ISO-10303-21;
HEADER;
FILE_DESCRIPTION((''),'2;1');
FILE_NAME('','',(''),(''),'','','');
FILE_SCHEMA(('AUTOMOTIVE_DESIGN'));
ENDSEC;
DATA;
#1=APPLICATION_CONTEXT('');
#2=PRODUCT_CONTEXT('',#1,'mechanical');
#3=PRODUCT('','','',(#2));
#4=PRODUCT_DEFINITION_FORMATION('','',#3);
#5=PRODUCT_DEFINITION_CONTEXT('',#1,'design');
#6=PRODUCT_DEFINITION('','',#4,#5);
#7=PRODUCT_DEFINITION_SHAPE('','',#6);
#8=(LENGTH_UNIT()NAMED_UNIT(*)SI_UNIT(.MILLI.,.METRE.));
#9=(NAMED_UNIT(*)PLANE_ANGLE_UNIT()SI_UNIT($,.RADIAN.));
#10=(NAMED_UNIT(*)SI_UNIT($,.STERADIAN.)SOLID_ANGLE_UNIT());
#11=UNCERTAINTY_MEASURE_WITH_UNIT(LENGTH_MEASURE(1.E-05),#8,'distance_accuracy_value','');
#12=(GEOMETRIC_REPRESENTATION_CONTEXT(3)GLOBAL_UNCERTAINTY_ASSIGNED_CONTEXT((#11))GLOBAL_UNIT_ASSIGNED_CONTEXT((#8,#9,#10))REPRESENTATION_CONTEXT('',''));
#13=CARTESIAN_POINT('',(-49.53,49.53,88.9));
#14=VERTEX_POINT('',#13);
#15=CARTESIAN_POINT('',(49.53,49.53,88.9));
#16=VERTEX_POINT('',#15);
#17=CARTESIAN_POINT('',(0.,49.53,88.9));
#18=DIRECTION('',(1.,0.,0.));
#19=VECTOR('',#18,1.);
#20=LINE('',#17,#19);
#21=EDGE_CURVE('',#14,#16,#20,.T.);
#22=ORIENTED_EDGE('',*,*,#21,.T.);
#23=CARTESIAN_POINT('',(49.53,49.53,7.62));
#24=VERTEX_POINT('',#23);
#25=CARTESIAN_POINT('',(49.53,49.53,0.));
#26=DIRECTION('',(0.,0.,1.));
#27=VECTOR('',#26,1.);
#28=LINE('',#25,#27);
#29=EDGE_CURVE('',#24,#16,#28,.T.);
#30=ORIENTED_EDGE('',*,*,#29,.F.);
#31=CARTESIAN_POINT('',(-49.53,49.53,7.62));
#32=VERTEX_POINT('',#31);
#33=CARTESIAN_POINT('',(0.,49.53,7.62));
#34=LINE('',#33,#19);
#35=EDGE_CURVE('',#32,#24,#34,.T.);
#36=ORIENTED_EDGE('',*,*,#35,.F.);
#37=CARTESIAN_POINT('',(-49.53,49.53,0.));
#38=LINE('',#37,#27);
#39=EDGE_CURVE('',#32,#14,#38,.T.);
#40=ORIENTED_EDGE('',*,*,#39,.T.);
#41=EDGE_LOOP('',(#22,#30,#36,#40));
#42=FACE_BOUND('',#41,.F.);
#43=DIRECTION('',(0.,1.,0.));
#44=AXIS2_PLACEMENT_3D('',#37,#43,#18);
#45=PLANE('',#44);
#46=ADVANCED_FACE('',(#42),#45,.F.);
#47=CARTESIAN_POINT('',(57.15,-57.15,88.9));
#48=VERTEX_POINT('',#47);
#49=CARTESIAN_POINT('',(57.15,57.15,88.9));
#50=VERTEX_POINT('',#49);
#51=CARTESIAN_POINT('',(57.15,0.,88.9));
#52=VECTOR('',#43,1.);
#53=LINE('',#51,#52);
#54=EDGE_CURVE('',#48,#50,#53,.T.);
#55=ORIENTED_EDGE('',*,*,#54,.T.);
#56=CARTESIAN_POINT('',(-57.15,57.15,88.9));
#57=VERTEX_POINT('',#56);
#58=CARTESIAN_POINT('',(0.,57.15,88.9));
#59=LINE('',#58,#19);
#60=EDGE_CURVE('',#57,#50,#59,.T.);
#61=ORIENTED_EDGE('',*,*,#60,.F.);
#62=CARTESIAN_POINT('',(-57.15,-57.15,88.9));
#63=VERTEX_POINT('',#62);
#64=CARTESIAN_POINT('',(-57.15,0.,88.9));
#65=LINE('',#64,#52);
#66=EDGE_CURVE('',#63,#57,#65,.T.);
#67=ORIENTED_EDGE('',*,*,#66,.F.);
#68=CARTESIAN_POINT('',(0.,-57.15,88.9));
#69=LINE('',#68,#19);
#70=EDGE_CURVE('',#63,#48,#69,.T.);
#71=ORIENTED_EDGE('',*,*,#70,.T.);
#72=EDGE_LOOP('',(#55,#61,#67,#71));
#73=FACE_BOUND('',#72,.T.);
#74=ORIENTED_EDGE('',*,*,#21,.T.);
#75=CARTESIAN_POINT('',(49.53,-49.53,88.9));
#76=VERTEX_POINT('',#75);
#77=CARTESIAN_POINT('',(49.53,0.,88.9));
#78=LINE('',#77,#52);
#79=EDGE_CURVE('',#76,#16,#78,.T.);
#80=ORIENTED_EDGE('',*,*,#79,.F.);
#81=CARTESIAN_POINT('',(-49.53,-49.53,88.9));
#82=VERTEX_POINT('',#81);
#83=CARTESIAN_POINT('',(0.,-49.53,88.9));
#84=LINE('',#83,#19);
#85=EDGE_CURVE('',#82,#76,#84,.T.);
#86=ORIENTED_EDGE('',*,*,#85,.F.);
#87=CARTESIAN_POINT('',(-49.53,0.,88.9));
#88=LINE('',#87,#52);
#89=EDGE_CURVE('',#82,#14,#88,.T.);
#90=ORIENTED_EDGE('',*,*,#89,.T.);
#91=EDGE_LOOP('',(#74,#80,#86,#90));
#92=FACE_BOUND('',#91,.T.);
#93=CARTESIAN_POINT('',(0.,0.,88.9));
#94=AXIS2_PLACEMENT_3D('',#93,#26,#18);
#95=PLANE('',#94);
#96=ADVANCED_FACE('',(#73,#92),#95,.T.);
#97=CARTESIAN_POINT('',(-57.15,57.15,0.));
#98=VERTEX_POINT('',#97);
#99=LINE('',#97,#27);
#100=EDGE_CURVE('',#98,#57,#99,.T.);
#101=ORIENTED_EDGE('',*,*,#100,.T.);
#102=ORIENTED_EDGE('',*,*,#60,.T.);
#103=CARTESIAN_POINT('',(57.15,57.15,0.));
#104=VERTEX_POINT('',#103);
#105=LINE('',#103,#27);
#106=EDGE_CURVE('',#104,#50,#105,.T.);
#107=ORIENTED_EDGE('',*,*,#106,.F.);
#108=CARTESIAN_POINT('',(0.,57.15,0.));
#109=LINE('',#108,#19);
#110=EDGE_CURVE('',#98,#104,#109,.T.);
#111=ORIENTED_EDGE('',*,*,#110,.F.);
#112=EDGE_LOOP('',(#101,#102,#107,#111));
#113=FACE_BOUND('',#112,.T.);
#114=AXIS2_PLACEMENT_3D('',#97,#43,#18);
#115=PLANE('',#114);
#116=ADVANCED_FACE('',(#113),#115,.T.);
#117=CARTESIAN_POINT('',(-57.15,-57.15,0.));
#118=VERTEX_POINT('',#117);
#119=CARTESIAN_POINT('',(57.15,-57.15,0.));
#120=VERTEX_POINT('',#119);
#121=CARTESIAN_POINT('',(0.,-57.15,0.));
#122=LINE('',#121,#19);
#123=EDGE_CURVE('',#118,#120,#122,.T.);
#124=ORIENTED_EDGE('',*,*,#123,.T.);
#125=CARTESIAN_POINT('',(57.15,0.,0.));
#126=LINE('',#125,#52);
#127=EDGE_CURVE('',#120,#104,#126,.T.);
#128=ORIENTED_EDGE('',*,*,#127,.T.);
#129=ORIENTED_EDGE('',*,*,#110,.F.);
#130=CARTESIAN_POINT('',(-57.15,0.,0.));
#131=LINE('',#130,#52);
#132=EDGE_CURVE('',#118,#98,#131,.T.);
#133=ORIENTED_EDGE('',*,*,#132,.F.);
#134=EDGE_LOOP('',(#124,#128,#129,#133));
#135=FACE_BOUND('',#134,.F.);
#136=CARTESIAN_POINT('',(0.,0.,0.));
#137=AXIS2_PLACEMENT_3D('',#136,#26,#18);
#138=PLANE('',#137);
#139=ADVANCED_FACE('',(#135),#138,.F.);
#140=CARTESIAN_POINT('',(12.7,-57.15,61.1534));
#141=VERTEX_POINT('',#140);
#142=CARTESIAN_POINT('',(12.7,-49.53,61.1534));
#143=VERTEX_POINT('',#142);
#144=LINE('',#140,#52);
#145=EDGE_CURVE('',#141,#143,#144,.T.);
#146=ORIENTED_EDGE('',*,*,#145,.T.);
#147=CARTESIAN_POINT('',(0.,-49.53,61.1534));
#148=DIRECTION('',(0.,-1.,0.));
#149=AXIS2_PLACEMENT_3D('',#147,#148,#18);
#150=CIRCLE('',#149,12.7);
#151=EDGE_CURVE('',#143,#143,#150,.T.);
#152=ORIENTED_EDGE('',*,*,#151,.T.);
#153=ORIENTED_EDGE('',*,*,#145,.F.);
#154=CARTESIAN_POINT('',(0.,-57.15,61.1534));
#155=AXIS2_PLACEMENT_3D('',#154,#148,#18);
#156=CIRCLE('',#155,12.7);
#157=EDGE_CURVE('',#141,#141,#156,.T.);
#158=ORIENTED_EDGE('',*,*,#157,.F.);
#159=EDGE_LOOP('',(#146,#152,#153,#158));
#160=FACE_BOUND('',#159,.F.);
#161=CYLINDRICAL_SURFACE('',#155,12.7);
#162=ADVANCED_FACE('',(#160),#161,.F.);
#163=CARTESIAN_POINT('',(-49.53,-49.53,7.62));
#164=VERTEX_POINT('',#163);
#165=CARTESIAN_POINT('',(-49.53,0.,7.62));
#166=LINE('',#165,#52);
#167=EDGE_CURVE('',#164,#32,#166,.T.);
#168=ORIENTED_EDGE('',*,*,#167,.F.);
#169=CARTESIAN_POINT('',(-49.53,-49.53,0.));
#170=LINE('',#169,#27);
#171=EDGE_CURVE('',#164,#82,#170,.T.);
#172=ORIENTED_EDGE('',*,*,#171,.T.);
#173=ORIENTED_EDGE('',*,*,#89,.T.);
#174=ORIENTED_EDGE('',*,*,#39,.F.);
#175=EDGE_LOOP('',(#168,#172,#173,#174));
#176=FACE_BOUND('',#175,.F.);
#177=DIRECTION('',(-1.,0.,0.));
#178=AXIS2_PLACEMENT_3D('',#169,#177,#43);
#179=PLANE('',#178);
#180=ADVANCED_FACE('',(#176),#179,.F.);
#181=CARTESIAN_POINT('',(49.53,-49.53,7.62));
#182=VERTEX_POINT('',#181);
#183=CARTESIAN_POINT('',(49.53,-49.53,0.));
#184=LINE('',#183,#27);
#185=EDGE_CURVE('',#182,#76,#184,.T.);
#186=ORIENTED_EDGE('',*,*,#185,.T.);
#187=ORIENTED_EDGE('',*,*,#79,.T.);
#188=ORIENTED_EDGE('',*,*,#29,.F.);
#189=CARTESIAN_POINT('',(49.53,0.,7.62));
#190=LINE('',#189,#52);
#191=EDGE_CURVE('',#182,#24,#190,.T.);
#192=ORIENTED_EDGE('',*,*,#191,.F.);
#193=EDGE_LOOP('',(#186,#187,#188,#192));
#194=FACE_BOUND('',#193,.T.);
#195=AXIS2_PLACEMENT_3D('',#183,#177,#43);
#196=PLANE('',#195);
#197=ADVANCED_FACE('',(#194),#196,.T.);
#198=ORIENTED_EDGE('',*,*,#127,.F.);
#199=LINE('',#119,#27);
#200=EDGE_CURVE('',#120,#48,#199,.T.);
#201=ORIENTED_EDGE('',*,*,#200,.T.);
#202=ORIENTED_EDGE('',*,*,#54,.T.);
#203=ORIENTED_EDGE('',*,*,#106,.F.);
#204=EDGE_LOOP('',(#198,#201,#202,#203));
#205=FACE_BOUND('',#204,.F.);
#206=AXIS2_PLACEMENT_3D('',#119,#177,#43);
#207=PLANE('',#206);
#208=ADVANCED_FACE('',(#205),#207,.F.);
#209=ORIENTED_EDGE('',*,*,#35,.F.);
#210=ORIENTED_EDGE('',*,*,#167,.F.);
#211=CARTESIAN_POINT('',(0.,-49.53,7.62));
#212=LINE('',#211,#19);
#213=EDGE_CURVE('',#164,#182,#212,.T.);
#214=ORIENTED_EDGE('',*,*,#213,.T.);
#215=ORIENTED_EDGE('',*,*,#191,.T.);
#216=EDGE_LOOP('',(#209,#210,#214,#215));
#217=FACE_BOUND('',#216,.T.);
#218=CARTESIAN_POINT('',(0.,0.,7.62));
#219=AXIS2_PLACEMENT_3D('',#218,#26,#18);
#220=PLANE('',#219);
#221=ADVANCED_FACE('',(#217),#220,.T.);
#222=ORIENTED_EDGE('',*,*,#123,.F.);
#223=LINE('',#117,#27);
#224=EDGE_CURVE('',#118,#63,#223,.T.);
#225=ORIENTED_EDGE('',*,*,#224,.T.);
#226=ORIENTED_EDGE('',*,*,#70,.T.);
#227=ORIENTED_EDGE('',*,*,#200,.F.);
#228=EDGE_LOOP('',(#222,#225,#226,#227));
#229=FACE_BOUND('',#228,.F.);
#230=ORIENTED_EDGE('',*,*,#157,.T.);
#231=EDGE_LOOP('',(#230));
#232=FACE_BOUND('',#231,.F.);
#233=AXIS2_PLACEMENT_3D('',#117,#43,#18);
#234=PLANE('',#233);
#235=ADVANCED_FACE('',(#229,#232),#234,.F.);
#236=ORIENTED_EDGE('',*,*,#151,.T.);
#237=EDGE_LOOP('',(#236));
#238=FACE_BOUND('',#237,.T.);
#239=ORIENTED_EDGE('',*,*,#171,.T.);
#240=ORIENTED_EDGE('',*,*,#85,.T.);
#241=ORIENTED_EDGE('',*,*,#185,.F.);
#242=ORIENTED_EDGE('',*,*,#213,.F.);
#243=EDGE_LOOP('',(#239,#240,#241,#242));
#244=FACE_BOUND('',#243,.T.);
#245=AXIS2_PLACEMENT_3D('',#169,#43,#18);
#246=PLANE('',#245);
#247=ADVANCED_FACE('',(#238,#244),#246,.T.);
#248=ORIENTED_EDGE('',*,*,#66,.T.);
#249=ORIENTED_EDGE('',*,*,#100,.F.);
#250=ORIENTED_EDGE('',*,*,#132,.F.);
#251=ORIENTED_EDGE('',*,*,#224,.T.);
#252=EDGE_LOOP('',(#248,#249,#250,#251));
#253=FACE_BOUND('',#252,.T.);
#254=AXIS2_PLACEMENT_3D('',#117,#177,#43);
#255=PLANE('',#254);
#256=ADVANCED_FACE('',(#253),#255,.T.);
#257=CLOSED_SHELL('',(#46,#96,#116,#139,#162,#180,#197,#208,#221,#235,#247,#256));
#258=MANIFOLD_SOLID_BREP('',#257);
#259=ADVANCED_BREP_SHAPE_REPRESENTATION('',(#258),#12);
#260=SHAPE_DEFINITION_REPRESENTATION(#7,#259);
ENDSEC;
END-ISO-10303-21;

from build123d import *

# Parameters (mm, degrees)
F0_W     = 99.06
F0_H     = 99.06
F1_DEPTH = 7.62
F0_W_2   = 114.3
F0_H_2   = 114.3
F2_DEPTH = 88.9
F3_R     = 12.7
F4_DEPTH = 19.127706


with BuildPart() as f1:
    # F0 (on Top) → F1 (new body)
    with BuildSketch(Plane.XY):
        Rectangle(F0_W, F0_H)
    extrude(amount=F1_DEPTH)

    # F0 (on Top) → F2 (join)
    with BuildSketch(Plane.XY):
        Rectangle(F0_W_2, F0_H_2)
        Rectangle(F0_W, F0_H, mode=Mode.SUBTRACT)
    extrude(amount=F2_DEPTH)

    # F3 (on face) → F4 (cut)
    with BuildSketch(Plane.XZ.offset(57.15)):
        with Locations((0, 61.1534)):
            Circle(F3_R)
    extrude(amount=-F4_DEPTH, mode=Mode.SUBTRACT)


solid = f1.part
